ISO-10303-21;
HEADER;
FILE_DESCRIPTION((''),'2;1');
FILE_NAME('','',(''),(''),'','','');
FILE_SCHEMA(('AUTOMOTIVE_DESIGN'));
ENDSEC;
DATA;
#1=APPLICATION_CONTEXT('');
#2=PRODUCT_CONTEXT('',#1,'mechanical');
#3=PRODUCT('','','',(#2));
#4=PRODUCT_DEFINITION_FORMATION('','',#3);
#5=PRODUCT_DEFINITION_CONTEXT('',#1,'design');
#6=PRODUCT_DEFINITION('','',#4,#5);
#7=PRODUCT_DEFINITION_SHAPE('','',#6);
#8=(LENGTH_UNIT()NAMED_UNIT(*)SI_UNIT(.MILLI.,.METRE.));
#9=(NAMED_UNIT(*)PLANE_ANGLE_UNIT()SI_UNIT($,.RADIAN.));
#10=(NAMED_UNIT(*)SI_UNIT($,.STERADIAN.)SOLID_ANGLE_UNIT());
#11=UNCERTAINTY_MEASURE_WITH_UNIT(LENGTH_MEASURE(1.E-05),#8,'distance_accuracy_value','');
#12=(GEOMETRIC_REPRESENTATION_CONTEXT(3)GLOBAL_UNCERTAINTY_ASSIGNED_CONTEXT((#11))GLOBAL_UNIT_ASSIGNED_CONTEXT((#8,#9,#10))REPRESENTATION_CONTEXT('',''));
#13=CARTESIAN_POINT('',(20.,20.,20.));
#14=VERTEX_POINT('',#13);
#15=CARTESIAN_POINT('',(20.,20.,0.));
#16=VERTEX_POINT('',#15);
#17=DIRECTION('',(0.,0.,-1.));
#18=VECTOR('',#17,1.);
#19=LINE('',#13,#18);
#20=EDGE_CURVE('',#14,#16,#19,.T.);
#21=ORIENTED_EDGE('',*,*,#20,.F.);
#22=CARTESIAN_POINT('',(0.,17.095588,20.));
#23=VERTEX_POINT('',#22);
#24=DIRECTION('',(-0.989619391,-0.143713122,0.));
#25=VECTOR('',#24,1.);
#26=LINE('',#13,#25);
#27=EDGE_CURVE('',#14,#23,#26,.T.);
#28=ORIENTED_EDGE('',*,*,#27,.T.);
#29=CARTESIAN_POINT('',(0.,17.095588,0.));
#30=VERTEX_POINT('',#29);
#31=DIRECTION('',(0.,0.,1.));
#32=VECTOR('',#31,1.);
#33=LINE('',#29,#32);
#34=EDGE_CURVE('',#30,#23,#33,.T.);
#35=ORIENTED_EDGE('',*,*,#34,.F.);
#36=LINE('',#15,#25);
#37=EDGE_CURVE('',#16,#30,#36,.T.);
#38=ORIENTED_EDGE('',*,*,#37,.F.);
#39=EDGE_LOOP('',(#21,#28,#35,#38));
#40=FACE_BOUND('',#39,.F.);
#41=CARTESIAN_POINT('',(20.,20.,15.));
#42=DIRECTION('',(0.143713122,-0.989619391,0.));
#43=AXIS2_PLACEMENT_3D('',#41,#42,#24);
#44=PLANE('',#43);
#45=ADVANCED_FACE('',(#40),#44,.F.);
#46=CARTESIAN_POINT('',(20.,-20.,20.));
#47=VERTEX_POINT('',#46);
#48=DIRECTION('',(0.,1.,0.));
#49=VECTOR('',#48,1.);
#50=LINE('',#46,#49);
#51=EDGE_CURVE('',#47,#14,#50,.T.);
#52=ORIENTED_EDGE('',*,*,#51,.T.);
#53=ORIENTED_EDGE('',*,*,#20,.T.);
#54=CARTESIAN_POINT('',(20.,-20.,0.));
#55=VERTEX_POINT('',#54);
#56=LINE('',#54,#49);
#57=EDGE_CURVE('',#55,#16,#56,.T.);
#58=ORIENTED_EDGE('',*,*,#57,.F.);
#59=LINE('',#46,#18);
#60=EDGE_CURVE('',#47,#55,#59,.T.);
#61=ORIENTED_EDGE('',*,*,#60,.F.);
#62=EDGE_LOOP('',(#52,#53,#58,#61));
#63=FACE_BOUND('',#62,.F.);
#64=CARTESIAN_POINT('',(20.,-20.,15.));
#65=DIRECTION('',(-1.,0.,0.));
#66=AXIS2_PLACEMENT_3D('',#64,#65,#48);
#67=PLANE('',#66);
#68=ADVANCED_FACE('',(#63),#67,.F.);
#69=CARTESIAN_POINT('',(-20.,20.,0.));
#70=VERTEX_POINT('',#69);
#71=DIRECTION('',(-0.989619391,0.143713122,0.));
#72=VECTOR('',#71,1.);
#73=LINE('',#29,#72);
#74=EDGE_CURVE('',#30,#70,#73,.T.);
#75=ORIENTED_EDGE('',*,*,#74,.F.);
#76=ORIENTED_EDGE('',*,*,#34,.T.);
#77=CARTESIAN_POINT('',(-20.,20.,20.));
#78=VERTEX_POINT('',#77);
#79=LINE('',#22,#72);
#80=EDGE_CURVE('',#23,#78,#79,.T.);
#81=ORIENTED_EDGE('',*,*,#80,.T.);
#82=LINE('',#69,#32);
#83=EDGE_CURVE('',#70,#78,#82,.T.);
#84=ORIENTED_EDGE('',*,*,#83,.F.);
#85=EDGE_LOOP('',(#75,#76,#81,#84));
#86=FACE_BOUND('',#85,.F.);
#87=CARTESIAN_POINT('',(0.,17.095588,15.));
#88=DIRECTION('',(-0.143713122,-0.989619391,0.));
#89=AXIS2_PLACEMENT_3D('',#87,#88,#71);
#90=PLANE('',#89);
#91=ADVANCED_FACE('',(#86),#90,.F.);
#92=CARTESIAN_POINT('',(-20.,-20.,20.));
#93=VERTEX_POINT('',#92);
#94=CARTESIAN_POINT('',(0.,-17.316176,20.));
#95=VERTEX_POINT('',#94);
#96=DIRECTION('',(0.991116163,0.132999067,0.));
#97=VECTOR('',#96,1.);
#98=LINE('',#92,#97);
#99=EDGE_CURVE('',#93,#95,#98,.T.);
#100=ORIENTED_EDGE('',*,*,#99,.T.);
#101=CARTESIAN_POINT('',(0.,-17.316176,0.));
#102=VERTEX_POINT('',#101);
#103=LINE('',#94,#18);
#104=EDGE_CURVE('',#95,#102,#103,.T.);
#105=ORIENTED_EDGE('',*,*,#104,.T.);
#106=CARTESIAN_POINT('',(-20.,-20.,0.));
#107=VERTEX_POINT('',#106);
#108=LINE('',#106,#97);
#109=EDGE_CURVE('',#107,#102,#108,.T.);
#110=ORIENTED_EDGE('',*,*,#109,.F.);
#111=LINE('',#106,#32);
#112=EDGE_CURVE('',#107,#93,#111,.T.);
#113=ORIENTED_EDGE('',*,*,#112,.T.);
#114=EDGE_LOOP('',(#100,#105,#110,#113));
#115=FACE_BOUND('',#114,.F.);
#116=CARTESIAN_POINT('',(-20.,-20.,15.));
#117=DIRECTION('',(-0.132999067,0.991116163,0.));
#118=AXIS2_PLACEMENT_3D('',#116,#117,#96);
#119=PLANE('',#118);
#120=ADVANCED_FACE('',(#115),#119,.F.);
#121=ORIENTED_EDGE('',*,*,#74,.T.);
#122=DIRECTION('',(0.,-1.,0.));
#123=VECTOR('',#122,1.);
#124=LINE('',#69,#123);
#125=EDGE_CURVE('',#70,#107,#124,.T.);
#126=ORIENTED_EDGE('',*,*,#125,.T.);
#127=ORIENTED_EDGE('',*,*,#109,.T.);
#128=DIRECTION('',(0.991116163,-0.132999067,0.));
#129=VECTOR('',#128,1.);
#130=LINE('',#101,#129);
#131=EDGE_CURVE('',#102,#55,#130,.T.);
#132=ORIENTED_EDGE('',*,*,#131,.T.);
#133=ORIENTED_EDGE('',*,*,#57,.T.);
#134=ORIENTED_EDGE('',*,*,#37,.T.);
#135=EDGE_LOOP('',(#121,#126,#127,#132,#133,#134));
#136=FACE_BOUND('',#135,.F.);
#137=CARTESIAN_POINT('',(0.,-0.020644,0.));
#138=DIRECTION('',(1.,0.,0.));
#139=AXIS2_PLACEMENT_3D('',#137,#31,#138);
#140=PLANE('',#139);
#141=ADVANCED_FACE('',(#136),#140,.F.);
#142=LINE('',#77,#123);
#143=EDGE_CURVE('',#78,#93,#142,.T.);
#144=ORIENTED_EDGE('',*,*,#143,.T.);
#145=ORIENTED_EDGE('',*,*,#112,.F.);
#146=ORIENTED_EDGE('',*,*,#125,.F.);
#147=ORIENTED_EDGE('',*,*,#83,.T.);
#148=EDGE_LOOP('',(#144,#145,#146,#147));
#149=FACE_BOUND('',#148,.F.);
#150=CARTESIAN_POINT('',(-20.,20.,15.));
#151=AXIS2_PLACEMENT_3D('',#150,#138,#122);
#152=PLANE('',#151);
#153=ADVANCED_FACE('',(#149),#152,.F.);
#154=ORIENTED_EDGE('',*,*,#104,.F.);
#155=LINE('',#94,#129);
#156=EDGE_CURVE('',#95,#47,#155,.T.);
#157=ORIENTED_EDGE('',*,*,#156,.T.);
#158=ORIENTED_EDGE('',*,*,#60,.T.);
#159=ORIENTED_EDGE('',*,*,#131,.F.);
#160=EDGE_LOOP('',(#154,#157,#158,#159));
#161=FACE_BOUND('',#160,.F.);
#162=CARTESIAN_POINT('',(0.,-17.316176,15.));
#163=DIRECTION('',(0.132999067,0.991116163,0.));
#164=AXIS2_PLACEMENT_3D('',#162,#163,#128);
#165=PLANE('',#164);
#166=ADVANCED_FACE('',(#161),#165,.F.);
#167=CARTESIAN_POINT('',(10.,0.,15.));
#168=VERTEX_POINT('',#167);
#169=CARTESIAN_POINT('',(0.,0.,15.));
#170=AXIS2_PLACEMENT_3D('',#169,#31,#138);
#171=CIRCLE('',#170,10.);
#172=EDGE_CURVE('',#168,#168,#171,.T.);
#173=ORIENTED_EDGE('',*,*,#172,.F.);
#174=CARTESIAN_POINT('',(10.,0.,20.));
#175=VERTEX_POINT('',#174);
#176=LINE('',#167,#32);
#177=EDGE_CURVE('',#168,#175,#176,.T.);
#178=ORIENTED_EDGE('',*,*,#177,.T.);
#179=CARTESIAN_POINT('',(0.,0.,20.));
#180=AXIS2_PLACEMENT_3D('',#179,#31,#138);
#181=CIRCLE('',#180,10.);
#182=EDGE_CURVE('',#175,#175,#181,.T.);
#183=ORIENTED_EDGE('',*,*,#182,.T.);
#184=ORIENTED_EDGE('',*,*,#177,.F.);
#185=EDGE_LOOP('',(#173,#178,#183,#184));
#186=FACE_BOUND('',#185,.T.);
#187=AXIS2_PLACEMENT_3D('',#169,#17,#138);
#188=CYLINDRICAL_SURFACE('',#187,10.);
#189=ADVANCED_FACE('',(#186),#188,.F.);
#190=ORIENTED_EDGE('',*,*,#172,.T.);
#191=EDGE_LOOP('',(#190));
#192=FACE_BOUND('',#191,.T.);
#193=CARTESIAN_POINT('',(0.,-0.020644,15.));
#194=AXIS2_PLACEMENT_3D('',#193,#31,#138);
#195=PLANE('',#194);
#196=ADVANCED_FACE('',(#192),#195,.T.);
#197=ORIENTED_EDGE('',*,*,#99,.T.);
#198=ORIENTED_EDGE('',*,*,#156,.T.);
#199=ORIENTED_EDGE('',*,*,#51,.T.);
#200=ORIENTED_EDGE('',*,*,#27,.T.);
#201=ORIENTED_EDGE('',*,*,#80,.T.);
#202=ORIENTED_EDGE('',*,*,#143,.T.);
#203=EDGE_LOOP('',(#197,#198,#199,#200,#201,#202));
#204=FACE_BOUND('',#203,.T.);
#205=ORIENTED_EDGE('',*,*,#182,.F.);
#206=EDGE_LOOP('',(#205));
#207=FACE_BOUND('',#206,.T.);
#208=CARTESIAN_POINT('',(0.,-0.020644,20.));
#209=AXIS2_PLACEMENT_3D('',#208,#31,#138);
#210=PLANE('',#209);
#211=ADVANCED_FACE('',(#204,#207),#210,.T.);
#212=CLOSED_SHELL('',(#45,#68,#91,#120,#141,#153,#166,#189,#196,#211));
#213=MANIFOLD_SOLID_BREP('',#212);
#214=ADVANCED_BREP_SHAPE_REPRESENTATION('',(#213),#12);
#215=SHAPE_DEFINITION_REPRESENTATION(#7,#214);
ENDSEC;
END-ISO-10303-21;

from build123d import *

# Parameters (mm, degrees)
F1_DEPTH = 15
F2_R     = 10
F3_DEPTH = 5


with BuildPart() as f1:
    # F0 (on Top) → F1 (new body)
    with BuildSketch(Plane.XY):
        Polygon((-20, 20), (-20, 0), (-20, -20), (0, -17.316176), (20, -20), (20, 20), (0, 17.095588), align=None)
    extrude(amount=F1_DEPTH)

    # F2 (on face) → F3 (join)
    with BuildSketch(Plane.XY.offset(15)):
        Polygon((20, 20), (0, 17.095588), (-20, 20), (-20, -20), (0, -17.316176), (20, -20), align=None)
        Circle(F2_R, mode=Mode.SUBTRACT)
    extrude(amount=F3_DEPTH)


solid = f1.part
